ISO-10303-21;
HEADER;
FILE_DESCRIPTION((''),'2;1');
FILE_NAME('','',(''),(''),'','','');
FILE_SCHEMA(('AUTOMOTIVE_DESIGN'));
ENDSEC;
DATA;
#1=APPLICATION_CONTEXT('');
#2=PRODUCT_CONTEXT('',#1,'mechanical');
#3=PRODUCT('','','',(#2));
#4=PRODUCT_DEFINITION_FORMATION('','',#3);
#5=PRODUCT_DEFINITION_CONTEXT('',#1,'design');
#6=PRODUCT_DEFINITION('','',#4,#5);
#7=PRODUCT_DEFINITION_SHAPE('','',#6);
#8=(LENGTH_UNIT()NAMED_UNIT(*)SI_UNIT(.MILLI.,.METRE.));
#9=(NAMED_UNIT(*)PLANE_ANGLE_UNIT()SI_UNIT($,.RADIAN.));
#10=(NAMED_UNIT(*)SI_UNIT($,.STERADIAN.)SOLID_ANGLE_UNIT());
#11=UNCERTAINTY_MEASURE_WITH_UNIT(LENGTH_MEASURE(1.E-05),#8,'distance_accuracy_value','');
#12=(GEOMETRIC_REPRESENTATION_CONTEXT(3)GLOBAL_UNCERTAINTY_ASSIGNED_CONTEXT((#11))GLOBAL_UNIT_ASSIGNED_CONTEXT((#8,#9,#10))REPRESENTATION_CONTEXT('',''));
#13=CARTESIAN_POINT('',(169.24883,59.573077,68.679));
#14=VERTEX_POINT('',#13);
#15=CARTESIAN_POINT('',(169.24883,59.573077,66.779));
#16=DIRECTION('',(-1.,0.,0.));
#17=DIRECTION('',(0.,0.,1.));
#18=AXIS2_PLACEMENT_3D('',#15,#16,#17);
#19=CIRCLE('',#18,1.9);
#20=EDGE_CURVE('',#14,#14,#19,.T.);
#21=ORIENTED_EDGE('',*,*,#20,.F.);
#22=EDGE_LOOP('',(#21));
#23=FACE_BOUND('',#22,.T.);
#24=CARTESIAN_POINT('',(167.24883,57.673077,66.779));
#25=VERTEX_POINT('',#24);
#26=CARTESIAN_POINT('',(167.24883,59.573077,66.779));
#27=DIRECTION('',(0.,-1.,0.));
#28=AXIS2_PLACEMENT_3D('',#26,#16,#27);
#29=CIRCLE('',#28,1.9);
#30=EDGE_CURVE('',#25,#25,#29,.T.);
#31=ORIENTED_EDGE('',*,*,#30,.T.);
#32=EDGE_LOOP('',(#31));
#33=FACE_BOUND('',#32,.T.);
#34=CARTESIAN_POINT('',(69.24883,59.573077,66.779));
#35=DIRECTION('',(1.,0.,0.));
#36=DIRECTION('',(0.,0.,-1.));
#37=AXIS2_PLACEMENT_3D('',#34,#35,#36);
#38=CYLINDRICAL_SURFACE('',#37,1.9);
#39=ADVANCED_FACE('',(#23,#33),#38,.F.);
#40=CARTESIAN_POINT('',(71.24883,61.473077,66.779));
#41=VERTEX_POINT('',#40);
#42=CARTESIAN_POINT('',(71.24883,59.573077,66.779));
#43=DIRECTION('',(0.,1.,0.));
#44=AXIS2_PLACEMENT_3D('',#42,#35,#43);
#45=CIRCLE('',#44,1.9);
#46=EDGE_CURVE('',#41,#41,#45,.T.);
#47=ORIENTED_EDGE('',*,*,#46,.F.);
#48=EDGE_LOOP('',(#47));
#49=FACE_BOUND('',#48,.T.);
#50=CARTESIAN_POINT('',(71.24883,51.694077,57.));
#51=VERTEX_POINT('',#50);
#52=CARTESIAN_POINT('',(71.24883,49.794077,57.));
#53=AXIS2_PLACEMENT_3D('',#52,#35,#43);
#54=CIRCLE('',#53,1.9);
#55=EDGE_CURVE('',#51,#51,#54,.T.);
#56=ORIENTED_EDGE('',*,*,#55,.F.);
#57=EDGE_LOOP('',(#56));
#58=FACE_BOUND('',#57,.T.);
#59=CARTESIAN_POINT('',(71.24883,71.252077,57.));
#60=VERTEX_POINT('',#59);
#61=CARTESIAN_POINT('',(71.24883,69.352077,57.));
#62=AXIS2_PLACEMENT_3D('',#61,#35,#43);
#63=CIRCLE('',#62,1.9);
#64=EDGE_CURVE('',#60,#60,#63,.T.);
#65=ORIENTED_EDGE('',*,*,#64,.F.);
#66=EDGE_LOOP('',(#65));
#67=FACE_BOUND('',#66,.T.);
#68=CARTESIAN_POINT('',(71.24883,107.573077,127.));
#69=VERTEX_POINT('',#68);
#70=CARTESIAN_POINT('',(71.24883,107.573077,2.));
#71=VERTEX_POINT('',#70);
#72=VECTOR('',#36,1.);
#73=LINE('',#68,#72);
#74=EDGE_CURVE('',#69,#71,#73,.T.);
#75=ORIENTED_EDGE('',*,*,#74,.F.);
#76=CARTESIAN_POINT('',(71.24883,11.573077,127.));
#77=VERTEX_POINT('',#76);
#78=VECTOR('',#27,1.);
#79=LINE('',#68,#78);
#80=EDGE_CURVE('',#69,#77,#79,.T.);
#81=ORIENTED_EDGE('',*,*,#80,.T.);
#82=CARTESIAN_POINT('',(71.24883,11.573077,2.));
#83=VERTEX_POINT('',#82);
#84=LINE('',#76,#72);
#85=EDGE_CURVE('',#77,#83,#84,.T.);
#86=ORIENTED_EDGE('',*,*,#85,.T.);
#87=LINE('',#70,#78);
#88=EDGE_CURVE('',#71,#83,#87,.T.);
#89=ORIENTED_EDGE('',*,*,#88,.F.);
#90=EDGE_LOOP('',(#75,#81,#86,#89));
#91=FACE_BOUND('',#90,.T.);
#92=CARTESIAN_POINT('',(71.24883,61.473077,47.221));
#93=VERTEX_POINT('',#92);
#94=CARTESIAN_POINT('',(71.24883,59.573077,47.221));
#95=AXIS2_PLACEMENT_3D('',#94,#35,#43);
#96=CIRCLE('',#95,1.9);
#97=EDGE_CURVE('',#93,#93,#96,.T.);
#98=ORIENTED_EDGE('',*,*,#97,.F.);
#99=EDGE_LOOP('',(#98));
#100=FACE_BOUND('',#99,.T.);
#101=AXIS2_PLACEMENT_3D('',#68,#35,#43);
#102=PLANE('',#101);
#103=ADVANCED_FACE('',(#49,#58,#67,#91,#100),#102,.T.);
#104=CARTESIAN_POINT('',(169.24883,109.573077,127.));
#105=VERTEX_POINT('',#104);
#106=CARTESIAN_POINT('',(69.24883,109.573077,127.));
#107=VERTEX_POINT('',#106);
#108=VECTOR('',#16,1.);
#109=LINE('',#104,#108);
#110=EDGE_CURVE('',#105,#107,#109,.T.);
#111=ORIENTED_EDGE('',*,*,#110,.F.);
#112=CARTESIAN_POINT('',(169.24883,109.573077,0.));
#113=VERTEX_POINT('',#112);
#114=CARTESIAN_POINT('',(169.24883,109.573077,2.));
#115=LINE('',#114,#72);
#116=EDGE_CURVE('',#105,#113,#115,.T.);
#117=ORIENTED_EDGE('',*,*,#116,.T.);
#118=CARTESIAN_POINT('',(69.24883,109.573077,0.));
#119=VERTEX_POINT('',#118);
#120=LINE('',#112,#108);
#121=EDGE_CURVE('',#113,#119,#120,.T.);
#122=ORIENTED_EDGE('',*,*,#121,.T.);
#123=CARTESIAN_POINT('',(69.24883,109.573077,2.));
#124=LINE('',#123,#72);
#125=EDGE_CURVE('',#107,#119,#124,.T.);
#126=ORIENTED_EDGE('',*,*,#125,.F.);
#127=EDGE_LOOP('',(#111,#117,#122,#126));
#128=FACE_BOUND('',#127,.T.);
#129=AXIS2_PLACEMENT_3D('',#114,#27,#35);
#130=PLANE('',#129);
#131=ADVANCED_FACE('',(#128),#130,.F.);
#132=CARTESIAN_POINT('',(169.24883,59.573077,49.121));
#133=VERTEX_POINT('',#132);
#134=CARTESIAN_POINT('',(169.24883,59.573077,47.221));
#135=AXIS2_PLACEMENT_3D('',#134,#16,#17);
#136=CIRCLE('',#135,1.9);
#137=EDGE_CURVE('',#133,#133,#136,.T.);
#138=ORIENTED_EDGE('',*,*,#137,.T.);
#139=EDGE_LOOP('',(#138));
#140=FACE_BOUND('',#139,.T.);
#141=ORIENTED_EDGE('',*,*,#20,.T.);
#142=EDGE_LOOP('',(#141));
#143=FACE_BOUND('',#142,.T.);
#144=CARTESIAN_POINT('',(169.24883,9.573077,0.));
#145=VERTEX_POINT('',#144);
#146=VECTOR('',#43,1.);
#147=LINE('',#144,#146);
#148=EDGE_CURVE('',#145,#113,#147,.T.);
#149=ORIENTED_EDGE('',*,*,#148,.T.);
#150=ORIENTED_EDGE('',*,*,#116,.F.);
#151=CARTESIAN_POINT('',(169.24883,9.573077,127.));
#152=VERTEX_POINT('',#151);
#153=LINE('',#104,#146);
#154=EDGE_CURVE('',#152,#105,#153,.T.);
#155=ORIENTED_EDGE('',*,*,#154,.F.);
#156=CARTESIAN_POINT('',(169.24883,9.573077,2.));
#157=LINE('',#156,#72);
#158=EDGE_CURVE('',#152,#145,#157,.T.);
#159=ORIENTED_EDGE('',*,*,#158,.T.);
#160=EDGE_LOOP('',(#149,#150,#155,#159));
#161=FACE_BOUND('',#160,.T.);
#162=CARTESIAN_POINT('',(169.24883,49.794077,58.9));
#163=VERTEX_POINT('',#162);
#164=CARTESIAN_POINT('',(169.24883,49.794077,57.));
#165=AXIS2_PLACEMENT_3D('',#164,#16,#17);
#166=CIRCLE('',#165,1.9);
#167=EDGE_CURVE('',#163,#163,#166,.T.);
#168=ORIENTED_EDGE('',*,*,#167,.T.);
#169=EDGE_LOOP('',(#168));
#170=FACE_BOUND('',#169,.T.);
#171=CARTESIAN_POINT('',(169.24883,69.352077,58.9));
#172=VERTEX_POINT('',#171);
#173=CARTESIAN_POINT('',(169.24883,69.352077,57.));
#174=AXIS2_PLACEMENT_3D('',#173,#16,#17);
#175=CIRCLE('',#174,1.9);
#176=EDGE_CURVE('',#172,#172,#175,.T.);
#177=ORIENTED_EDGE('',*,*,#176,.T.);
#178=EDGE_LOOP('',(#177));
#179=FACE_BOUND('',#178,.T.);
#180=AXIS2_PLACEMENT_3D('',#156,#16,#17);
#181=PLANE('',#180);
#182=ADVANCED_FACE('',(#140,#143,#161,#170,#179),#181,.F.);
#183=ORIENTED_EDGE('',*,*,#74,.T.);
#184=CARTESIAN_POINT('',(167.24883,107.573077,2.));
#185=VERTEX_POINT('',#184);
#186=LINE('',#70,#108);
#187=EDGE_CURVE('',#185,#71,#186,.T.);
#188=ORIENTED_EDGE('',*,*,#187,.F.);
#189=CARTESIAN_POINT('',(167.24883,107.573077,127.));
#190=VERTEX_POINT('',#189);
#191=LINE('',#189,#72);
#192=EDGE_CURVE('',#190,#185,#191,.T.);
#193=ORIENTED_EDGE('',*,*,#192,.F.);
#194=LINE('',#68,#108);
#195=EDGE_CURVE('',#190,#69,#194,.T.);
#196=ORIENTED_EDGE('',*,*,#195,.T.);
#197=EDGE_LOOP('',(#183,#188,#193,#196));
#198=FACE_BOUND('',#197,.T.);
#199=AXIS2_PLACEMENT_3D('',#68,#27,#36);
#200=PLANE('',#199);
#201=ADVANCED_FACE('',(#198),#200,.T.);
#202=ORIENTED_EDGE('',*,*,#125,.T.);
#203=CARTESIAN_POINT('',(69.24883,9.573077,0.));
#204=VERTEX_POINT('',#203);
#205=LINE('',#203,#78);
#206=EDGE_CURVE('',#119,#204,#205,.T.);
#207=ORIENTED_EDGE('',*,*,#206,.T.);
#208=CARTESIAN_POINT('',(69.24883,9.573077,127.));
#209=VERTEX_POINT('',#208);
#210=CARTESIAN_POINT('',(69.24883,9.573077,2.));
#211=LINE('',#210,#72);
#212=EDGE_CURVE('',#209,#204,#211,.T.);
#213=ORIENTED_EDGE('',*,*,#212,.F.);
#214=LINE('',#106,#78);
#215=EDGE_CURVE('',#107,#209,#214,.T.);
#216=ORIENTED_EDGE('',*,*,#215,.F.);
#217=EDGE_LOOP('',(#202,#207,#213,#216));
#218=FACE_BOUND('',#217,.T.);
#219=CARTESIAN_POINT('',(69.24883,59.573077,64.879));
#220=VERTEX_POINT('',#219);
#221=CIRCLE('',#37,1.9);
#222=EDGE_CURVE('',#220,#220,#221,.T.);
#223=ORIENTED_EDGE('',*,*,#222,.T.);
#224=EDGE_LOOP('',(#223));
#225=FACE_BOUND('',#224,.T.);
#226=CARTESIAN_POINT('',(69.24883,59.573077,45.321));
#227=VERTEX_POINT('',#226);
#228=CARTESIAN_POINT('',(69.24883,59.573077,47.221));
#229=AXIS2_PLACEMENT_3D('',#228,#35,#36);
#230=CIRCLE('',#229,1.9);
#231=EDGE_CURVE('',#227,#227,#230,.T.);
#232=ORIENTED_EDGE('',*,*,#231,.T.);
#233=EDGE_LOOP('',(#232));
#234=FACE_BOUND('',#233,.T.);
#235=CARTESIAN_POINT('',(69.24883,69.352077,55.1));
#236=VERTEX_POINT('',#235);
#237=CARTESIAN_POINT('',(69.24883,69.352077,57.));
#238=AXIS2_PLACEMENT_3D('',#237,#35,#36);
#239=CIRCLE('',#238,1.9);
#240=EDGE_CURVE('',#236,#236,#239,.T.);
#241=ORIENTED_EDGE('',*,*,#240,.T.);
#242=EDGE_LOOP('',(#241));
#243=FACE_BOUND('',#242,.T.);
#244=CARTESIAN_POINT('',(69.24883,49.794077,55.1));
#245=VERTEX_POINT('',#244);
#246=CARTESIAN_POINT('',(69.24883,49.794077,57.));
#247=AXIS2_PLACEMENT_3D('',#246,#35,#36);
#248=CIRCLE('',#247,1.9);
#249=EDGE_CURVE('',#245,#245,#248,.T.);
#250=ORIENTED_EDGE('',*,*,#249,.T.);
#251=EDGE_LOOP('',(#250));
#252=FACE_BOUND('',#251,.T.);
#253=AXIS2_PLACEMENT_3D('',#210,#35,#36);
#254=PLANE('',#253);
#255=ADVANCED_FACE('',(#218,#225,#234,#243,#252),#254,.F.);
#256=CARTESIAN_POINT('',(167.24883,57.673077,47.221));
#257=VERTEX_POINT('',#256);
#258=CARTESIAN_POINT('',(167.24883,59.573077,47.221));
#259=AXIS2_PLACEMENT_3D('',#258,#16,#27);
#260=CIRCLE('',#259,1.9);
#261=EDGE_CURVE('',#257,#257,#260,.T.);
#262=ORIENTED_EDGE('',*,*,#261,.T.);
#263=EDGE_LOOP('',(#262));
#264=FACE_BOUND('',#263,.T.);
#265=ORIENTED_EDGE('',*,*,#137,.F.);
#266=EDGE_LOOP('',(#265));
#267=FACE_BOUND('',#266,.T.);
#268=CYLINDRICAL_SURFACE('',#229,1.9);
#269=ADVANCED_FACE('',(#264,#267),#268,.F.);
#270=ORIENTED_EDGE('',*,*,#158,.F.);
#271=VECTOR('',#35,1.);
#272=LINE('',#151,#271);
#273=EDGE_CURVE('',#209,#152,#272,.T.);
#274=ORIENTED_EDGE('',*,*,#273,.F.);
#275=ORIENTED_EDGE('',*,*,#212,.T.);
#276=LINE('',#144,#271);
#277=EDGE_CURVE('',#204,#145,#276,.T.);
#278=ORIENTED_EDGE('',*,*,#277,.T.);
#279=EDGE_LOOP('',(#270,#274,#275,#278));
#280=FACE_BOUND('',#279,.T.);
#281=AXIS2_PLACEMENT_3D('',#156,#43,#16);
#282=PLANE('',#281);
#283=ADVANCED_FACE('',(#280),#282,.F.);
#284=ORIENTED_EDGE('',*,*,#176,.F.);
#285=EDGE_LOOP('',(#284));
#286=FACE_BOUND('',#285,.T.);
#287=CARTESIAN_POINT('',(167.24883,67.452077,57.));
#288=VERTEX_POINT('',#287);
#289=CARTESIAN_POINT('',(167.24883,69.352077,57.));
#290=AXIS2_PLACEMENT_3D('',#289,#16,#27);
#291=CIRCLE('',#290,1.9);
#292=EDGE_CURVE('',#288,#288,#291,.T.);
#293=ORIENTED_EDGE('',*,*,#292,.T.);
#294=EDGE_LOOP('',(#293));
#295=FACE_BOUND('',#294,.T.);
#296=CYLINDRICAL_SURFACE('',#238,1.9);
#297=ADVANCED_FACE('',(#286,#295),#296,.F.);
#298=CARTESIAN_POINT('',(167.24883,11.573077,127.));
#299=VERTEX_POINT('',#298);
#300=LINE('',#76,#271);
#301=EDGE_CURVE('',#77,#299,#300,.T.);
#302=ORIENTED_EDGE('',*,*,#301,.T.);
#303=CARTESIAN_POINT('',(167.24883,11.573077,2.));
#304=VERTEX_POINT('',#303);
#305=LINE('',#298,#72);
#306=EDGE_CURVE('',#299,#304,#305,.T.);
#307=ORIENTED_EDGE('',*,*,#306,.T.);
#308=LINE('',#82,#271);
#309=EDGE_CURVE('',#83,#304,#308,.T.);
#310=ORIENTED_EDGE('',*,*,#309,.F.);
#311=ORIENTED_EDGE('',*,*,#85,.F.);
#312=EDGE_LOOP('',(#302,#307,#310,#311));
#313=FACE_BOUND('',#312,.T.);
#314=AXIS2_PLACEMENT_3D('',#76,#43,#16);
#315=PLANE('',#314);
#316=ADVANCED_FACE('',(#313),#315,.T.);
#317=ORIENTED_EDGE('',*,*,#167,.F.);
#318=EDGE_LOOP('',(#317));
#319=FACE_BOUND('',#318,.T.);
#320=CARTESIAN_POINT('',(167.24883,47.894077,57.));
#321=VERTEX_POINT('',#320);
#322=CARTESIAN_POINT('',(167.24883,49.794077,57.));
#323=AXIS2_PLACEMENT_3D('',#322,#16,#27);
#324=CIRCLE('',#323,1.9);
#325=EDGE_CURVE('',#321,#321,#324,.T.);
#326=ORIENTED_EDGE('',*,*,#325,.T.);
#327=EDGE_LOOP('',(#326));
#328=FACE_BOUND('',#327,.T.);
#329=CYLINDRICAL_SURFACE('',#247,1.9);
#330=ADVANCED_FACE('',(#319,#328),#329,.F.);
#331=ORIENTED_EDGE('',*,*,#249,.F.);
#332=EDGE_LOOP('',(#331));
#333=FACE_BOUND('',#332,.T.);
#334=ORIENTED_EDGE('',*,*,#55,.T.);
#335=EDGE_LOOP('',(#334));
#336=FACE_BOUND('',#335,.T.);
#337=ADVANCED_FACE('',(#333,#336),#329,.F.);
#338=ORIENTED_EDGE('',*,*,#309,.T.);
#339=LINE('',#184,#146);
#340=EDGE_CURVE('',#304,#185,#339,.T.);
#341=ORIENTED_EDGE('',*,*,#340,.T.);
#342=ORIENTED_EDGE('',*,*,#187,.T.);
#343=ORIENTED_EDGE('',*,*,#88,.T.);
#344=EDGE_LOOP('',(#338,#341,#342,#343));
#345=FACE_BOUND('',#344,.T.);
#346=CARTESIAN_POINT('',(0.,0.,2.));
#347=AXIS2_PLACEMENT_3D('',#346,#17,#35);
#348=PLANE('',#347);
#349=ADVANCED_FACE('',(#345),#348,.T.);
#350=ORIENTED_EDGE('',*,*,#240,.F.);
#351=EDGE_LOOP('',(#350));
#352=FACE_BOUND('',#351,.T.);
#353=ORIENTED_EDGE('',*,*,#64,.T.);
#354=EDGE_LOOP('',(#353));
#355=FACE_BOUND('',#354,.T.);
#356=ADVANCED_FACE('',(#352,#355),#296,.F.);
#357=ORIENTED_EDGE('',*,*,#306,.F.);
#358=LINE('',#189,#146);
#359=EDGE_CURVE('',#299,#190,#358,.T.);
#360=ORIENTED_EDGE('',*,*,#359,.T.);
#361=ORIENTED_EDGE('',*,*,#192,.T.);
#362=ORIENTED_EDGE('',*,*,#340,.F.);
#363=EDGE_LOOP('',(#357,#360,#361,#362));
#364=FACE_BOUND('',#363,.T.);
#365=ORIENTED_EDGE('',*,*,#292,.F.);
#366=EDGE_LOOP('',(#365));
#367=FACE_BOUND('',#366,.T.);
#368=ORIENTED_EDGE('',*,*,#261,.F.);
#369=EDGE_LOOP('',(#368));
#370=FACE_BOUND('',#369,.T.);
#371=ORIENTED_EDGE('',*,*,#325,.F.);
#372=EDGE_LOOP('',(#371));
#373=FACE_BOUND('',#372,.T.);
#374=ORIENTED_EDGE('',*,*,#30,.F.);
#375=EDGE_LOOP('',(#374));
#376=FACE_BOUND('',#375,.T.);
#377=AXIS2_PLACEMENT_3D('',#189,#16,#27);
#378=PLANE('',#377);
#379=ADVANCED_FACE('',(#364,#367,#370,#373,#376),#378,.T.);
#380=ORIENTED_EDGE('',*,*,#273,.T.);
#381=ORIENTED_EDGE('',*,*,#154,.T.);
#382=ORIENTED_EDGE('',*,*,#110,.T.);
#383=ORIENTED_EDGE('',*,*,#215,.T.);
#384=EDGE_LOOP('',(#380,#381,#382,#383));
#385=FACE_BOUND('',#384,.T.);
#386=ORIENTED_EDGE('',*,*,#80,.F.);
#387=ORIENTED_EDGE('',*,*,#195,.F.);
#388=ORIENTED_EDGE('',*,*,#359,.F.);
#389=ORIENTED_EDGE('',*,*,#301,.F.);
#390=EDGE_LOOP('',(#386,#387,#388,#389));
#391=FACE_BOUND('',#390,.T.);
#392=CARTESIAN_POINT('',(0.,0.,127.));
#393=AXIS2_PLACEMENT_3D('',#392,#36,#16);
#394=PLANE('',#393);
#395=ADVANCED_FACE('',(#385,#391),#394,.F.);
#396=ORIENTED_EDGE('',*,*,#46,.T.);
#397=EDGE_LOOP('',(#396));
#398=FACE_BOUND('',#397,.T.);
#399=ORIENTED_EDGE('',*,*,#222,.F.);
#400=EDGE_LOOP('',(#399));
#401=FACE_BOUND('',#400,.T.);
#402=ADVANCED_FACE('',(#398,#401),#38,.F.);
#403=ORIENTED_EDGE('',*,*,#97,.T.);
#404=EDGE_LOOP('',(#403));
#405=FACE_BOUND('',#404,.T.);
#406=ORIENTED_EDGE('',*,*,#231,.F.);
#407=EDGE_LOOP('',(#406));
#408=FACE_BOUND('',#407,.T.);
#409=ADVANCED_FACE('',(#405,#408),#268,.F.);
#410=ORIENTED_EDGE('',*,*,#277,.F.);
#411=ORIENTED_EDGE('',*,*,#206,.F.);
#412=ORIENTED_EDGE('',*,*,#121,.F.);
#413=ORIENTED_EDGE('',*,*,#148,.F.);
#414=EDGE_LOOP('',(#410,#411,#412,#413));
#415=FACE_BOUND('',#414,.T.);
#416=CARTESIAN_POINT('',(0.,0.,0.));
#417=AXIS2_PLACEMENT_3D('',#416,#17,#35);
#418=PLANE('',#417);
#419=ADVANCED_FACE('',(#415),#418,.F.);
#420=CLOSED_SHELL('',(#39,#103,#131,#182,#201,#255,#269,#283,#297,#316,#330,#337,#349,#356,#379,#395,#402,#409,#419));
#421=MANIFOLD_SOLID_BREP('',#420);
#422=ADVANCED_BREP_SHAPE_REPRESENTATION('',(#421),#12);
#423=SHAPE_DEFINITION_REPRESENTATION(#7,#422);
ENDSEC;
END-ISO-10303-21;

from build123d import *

# Parameters (mm, degrees)
SKETCH1_W               = 100
SKETCH1_H               = 100
BOSS_EXTRUDE2_DEPTH     = 2
SKETCH2_W               = 100
SKETCH2_H               = 100
SKETCH2_W_2             = 96
SKETCH2_H_2             = 96
BOSS_EXTRUDE4_DEPTH     = 125
CUT_EXTRUDE1_DEPTH      = 196.282511518
CUT_EXTRUDE1_DEPTH_BACK = 196.282511518
SKETCH3_R               = 1.9


with BuildPart() as part:
    # Sketch1 → Boss-Extrude2 (new body)
    with BuildSketch(Plane.XY):
        with Locations((119.248829914, 59.573077464)):
            Rectangle(SKETCH1_W, SKETCH1_H)
    extrude(amount=BOSS_EXTRUDE2_DEPTH)

    # Sketch2 → Boss-Extrude4 (add)
    with BuildSketch(Plane.XY.offset(2)):
        with Locations((119.248829914, 59.573077464)):
            Rectangle(SKETCH2_W, SKETCH2_H)
        with Locations((119.248829914, 59.573077464)):
            Rectangle(SKETCH2_W_2, SKETCH2_H_2, mode=Mode.SUBTRACT)
    extrude(amount=BOSS_EXTRUDE4_DEPTH)

    # Sketch3 → Cut-Extrude1 (cut, two sides: drawn at the far end of the back side and taken through both)
    with BuildSketch(Plane(origin=(169.248829914, 0, 0), x_dir=(0, 0, -1), z_dir=(1, 0, 0)).offset(-CUT_EXTRUDE1_DEPTH_BACK)):
        with Locations(Location((-57, 69.352077464, 0), (0, 0, 270))):
            Circle(SKETCH3_R)
        with Locations(Location((-47.221, 59.573077464, 0), (0, 0, 270))):
            Circle(SKETCH3_R)
        with Locations(Location((-57, 49.794077464, 0), (0, 0, 270))):
            Circle(SKETCH3_R)
        with Locations(Location((-66.779, 59.573077464, 0), (0, 0, 270))):
            Circle(SKETCH3_R)
    extrude(amount=CUT_EXTRUDE1_DEPTH + CUT_EXTRUDE1_DEPTH_BACK, mode=Mode.SUBTRACT)


solid = part.part
